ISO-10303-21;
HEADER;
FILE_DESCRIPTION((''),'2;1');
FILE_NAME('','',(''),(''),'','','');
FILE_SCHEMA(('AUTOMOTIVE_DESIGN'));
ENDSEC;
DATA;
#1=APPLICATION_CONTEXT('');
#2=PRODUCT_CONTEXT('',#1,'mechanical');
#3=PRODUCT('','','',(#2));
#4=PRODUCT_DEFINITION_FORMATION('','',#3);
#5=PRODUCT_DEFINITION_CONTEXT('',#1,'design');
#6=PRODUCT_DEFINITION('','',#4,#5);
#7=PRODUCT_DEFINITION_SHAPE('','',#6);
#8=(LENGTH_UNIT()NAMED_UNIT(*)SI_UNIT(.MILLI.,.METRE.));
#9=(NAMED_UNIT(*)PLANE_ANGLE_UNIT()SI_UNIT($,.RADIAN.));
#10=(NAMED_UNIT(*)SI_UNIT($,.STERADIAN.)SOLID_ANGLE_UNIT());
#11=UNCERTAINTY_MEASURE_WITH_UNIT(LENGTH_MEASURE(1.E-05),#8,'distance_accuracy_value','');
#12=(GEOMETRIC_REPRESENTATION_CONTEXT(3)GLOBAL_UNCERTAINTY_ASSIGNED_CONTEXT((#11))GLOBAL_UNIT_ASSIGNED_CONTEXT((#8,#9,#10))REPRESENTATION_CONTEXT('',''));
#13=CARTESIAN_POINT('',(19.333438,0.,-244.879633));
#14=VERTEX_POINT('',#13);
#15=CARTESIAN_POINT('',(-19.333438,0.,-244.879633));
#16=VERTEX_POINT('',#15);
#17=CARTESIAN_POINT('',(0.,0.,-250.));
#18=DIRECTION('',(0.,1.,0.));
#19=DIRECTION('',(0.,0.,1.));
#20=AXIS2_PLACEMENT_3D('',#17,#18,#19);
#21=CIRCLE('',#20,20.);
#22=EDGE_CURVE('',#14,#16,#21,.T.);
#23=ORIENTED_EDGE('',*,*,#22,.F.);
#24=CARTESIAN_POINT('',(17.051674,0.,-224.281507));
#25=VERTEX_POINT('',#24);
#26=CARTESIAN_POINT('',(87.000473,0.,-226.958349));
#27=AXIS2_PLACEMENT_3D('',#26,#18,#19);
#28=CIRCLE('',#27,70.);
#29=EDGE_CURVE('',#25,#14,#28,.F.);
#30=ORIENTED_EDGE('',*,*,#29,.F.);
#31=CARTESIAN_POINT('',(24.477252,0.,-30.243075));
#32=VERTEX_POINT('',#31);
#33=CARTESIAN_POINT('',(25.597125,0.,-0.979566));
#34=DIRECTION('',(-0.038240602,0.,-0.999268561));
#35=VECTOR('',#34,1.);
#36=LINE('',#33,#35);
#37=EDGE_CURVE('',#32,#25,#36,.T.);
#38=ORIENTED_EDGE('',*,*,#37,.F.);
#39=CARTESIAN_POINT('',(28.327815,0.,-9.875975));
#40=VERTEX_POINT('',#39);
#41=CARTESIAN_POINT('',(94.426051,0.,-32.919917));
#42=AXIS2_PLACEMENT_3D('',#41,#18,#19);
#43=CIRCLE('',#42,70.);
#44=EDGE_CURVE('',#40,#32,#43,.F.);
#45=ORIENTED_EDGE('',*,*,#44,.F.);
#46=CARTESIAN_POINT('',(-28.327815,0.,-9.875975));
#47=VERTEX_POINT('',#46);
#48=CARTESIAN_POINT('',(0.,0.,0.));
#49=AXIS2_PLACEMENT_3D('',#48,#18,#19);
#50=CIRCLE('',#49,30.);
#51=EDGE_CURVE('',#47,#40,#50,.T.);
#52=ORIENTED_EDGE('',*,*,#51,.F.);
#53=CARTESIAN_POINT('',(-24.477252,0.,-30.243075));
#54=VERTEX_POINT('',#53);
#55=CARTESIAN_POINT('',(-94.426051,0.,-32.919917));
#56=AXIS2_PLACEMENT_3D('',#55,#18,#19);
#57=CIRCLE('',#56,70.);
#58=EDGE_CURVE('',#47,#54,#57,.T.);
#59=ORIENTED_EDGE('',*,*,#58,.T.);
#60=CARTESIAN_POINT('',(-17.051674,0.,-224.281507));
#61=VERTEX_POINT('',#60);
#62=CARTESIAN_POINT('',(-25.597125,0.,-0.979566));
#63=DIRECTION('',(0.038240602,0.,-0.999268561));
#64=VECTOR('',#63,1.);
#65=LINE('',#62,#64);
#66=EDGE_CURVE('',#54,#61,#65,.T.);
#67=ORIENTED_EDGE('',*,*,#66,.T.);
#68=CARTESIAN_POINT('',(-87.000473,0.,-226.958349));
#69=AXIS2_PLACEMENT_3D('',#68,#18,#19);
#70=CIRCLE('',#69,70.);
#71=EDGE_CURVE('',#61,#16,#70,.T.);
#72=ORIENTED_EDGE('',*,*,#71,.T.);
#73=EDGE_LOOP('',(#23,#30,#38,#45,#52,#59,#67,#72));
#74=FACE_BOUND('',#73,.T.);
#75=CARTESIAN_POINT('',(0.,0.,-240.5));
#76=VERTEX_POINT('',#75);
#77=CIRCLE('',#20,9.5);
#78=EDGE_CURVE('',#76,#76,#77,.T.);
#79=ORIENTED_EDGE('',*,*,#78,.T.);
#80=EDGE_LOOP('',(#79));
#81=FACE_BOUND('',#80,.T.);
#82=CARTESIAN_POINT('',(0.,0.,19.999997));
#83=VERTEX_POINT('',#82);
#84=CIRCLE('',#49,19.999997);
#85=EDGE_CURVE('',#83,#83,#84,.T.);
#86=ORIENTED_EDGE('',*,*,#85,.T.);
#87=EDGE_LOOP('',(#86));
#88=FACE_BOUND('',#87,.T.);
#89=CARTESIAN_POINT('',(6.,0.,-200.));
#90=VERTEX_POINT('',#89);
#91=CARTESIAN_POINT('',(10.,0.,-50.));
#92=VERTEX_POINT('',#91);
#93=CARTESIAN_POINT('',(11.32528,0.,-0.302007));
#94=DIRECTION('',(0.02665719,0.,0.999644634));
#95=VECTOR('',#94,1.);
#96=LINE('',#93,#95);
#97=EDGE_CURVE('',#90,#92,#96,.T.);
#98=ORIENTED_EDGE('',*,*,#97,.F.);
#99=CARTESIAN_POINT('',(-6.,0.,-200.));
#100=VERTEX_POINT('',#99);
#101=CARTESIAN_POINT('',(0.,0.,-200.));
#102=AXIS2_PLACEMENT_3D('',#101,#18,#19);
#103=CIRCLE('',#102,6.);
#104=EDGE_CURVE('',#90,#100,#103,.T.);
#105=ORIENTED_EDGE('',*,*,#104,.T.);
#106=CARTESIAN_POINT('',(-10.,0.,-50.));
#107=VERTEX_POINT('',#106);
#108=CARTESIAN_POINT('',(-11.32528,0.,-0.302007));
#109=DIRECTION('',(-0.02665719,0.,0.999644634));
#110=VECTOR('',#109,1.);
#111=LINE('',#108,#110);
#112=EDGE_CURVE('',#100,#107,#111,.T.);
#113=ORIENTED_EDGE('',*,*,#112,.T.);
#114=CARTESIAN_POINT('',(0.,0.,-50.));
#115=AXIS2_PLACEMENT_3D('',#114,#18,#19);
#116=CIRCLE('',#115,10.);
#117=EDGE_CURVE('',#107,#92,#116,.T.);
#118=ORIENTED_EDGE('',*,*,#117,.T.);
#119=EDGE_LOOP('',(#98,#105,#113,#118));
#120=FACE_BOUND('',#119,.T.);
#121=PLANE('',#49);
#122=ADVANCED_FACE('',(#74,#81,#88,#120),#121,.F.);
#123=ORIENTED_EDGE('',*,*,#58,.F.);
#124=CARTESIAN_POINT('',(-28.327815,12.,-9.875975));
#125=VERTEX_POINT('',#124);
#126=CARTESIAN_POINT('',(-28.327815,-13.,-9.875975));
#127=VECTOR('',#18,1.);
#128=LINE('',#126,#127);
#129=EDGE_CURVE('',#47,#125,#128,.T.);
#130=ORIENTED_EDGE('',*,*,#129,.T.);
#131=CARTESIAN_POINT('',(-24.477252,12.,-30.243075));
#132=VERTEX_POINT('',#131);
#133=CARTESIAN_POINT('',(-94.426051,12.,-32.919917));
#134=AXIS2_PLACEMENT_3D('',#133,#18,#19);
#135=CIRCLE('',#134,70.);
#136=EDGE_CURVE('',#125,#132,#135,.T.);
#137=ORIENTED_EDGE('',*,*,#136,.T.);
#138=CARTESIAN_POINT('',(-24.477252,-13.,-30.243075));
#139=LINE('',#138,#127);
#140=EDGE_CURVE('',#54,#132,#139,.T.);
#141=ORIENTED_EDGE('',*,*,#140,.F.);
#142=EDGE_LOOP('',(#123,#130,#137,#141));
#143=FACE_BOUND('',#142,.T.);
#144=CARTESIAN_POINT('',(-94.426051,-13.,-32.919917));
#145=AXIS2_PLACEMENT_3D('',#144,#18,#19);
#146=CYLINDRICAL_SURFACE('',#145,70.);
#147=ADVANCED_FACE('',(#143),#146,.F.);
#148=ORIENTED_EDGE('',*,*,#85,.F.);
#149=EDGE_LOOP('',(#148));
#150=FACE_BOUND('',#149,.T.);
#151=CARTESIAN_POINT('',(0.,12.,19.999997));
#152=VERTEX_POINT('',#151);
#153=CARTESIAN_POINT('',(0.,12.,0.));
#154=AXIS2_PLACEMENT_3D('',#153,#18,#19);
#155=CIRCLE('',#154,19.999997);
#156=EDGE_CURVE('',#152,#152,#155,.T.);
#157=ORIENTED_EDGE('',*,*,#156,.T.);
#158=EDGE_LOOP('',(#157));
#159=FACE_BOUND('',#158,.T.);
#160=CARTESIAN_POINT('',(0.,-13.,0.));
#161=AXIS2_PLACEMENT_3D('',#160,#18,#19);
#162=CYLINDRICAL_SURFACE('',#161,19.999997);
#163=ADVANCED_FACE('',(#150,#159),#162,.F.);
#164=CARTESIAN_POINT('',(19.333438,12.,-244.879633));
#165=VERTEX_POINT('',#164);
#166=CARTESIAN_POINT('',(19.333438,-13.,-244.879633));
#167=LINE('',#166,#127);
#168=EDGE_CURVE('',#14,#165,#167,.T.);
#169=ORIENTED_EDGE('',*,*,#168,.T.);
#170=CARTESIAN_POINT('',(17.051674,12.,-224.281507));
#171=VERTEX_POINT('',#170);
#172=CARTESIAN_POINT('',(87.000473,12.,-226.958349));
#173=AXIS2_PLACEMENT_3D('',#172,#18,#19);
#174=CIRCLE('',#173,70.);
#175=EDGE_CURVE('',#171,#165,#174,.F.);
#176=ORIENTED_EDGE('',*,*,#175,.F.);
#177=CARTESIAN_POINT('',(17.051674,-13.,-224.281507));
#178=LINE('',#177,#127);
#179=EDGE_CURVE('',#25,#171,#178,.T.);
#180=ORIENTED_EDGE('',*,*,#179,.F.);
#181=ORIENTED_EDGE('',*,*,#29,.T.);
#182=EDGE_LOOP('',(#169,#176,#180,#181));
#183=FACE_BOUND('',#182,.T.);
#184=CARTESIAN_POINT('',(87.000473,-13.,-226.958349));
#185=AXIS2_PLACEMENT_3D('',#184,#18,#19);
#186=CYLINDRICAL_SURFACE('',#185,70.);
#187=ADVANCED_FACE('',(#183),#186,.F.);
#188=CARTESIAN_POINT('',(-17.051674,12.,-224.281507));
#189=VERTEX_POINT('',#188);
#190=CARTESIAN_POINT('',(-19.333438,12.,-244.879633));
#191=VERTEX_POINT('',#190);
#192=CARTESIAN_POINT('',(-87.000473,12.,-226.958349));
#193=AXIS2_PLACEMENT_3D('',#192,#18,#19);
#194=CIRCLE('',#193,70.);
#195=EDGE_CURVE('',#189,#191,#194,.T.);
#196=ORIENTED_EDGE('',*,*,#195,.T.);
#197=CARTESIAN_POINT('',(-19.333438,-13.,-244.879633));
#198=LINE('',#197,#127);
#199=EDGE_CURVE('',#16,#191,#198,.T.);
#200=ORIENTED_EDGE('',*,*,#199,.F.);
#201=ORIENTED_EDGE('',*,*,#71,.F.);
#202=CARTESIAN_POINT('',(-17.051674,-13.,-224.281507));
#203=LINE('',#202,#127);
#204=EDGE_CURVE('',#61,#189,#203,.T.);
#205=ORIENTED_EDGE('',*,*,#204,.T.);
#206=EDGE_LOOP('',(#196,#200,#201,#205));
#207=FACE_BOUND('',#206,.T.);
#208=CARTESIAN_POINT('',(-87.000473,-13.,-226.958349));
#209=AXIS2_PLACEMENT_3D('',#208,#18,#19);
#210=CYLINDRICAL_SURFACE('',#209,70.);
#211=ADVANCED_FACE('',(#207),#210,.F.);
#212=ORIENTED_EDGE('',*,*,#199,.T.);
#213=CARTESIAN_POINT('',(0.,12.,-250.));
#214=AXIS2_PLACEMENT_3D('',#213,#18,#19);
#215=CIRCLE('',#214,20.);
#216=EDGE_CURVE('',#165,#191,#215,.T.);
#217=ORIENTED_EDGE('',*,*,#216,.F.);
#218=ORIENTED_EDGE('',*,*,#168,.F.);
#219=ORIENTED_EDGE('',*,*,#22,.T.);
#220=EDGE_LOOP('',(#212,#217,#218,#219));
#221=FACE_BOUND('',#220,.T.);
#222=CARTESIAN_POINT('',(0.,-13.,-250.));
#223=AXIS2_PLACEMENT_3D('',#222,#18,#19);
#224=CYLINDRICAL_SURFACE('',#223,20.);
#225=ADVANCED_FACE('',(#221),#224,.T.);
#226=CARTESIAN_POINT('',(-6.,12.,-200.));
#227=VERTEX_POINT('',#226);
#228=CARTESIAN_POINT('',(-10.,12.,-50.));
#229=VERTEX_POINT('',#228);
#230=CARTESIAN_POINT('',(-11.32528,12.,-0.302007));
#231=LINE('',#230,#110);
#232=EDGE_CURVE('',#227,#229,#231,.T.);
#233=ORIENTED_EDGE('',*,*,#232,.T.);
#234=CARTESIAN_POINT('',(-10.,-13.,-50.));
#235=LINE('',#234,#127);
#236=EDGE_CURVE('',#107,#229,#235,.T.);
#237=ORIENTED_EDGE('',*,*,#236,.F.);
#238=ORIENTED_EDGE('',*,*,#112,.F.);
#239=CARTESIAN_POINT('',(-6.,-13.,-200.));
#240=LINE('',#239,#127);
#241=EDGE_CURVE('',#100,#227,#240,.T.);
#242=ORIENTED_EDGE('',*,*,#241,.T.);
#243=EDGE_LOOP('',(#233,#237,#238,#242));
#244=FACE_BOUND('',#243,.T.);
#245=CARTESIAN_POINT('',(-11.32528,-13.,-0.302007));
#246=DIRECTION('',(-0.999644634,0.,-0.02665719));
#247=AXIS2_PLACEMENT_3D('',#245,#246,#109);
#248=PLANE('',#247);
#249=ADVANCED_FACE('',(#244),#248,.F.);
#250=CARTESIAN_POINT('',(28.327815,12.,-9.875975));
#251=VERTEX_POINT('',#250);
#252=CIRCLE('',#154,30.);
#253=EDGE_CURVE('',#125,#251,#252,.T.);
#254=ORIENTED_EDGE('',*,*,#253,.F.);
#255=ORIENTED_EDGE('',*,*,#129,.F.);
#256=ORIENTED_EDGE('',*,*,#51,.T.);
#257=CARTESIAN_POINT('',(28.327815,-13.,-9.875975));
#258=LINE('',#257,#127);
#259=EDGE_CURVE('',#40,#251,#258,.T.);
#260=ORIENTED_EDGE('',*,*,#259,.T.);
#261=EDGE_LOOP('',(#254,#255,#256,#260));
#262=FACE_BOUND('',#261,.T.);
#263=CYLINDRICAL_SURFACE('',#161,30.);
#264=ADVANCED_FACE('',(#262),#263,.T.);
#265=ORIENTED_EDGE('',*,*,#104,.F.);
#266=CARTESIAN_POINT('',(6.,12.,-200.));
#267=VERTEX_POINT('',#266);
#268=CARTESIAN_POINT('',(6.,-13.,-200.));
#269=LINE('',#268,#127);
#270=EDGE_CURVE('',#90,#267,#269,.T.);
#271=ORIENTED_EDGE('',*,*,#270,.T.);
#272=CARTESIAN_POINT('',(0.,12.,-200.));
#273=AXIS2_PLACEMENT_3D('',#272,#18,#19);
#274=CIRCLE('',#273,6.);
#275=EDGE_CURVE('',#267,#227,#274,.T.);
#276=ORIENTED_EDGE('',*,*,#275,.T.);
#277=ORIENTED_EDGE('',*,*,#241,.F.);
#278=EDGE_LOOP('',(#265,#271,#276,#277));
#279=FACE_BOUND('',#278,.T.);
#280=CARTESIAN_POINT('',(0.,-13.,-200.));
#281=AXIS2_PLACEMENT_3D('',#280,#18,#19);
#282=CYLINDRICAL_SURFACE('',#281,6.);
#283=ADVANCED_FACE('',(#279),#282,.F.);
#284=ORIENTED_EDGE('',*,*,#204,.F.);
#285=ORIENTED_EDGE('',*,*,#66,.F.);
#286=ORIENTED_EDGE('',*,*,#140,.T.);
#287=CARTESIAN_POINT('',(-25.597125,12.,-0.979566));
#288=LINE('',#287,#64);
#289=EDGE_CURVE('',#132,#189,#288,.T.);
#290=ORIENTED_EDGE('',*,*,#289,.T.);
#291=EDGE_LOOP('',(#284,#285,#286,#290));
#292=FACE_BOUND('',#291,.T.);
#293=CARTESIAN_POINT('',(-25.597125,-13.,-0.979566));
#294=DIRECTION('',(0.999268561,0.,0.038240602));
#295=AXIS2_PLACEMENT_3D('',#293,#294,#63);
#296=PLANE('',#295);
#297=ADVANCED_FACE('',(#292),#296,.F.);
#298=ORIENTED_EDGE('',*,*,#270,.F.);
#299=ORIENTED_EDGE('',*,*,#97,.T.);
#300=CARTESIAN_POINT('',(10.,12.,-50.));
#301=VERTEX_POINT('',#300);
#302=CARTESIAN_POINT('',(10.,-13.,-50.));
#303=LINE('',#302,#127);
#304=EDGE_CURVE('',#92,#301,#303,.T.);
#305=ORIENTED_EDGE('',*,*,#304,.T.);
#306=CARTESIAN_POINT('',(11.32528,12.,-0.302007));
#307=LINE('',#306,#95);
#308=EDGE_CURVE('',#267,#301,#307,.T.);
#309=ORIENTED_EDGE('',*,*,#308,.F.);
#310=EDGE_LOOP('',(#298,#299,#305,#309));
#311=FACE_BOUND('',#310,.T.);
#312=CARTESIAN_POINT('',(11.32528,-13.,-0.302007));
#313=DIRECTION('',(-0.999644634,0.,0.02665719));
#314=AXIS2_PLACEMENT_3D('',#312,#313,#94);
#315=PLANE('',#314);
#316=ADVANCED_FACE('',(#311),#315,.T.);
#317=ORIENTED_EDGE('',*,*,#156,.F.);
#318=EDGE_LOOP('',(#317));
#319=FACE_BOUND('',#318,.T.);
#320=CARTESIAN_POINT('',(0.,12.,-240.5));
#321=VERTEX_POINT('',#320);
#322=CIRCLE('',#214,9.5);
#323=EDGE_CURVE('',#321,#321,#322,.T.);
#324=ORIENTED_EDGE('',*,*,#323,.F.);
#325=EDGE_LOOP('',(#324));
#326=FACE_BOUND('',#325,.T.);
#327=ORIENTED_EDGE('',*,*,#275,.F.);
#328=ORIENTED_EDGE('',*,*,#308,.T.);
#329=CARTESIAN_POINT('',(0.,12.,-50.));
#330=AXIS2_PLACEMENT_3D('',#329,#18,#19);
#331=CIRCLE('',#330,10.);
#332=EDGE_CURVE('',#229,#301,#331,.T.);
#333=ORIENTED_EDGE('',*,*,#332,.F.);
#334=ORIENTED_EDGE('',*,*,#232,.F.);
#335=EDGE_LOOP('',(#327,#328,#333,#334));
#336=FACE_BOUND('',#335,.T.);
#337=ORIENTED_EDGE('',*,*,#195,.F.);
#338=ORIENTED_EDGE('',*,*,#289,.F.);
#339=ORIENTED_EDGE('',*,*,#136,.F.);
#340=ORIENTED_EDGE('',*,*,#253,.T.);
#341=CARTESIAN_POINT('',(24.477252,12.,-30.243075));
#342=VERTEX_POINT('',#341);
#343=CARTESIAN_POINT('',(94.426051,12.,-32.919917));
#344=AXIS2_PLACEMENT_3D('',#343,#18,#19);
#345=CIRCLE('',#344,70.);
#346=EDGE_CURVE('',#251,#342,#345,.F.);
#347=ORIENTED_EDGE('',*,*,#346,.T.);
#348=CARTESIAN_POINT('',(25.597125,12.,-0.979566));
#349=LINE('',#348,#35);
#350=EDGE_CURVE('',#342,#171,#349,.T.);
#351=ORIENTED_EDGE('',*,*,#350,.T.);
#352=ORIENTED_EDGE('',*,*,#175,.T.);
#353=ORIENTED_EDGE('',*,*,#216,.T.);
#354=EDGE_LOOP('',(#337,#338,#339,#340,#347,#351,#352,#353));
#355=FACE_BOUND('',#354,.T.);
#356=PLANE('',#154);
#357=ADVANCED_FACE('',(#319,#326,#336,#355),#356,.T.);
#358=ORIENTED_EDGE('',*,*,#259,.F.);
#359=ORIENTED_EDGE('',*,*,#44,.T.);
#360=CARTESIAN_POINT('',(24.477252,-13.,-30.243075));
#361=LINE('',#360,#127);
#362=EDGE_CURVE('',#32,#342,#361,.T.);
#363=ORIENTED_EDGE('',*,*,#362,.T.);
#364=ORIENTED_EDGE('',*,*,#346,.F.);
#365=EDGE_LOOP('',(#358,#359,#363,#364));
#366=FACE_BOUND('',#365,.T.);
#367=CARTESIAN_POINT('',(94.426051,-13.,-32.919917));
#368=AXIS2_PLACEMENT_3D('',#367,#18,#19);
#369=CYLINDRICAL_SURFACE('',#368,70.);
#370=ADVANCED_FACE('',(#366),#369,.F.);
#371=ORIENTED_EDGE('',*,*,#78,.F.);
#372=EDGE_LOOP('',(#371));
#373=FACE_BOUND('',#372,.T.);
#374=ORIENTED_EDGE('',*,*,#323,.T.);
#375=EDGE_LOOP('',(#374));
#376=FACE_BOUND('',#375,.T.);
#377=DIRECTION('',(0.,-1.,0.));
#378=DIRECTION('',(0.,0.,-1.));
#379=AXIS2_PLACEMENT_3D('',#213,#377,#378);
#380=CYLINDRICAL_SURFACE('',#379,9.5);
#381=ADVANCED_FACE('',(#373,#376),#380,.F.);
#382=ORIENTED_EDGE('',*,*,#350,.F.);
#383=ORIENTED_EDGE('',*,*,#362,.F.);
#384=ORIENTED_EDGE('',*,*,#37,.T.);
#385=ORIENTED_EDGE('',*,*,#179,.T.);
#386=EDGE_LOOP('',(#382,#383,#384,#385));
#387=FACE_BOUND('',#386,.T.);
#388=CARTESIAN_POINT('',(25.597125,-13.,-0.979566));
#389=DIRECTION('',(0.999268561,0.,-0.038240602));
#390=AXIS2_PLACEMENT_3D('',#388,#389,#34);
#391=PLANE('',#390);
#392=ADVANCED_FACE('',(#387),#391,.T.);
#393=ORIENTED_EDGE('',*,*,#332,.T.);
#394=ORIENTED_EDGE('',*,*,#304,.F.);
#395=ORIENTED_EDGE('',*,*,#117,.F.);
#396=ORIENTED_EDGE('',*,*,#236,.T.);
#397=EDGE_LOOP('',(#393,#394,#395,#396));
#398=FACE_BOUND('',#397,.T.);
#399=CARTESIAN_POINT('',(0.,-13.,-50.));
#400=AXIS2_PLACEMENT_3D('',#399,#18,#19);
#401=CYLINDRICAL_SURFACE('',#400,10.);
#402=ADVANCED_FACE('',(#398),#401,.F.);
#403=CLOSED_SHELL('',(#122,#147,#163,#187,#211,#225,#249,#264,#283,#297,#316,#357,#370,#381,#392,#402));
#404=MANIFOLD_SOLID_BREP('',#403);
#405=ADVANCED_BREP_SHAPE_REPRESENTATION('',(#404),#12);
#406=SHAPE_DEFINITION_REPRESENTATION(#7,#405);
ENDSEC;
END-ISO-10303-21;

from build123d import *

# Parameters (mm, degrees)
SKETCH_1_R          = 5.05
SKETCH_1_R_2        = 9.5
EXTRUDE_1_DEPTH     = 12
FILLET_1_R          = 3
SKETCH_7_R          = 2.05
CUT_EXTRUDE_4_DEPTH = 277.39464539
EXTRUDE_6_DEPTH     = 12
SKETCH_8_R          = 13
CUT_EXTRUDE_5_DEPTH = 277.39464539
SKETCH_9_R          = 25
SKETCH_9_R_2        = 13
EXTRUDE_4_DEPTH     = 12
SKETCH_10_R         = 1.5
SKETCH_10_R_2       = 21.5
EXTRUDE_5_DEPTH     = 12
SKETCH_13_R         = 1.5
SKETCH_13_R_2       = 19.999997197
SKETCH_13_R_3       = 13
CUT_EXTRUDE_6_DEPTH = 25


with BuildPart() as part:
    # 草图1 → 凸台-拉伸1 (new body)
    with BuildSketch(Plane(origin=(0, 0, 0), x_dir=(1, 0, 0), z_dir=(0, 1, 0))):
        with BuildLine():
            Line((-17.992942616, -0.504), (-24.990198078, 249.3))
            ThreePointArc((-24.990198078, 249.3), (0, 275), (24.990198078, 249.3))
            Line((24.990198078, 249.3), (17.992942616, -0.504))
            ThreePointArc((17.992942616, -0.504), (0, -18), (-17.992942616, -0.504))
        make_face()
        with Locations(Location((0, 0, 0), (0, 0, 270))):
            Circle(SKETCH_1_R, mode=Mode.SUBTRACT)
        with Locations(Location((0, 250, 0), (0, 0, 270))):
            Circle(SKETCH_1_R_2, mode=Mode.SUBTRACT)
        Polygon((-16.444447487, 158.5), (-17.704941698, 203.5), (11.028871219, 137.174942267), align=None, mode=Mode.SUBTRACT)
        Polygon((15.954255294, 141), (18.475243716, 231), (-12, 219.5), align=None, mode=Mode.SUBTRACT)
    extrude(amount=EXTRUDE_1_DEPTH)

    # 圆角1
    fillet_1_edges = [part.edges().sort_by_distance(p)[0] for p in [
        (-16.444447487, 6, -158.5),
        (11.028871219, 6, -137.174942267),
        (-17.704941698, 6, -203.5),
        (18.475243716, 6, -231),
        (-12, 6, -219.5),
        (15.954255294, 6, -141),
    ]]
    fillet(fillet_1_edges, radius=FILLET_1_R)

    # 草图7 → 切除-拉伸4 (cut, through all)
    with BuildSketch(Plane(origin=(0, 12, 0), x_dir=(1, 0, 0), z_dir=(0, 1, 0))):
        with Locations(Location((15, 15, 0), (0, 0, 270))):
            Circle(SKETCH_7_R)
        with Locations(Location((-15, 15, 0), (0, 0, 270))):
            Circle(SKETCH_7_R)
        with Locations((-15, -15)):
            Circle(SKETCH_7_R)
        with Locations((15, -15)):
            Circle(SKETCH_7_R)
    extrude(amount=-CUT_EXTRUDE_4_DEPTH, mode=Mode.SUBTRACT)

    # 草图14 → 凸台-拉伸6 (add)
    with BuildSketch(Plane(origin=(0, 12, 0), x_dir=(1, 0, 0), z_dir=(0, 1, 0))):
        Polygon((-17.958821841, 235.186562879), (21.367198419, 232.917754018), (15.538653821, 131.889647666), (-22.497275836, 156.52002696), align=None)
    extrude(amount=-EXTRUDE_6_DEPTH)

    # 草图8 → 切除-拉伸5 (cut, through all)
    with BuildSketch(Plane(origin=(0, 12, 0), x_dir=(1, 0, 0), z_dir=(0, 1, 0))):
        with Locations(Location((0, 0, 0), (0, 0, 270))):
            Circle(SKETCH_8_R)
    extrude(amount=-CUT_EXTRUDE_5_DEPTH, mode=Mode.SUBTRACT)

    # 草图9 → 凸台-拉伸4 (add)
    with BuildSketch(Plane(origin=(0, 12, 0), x_dir=(1, 0, 0), z_dir=(0, 1, 0))):
        Circle(SKETCH_9_R)
        with Locations(Location((0, 0, 0), (0, 0, 270))):
            Circle(SKETCH_9_R_2, mode=Mode.SUBTRACT)
    extrude(amount=-EXTRUDE_4_DEPTH)

    # 草图10 → 凸台-拉伸5 (add)
    with BuildSketch(Plane(origin=(0, 12, 0), x_dir=(1, 0, 0), z_dir=(0, 1, 0))):
        with BuildLine():
            Line((-39.711049207, 4.799226071), (-40, 0))
            ThreePointArc((-40, 0), (0, -40), (40, 0))
            Line((40, 0), (39.711049207, 4.799226071))
            Line((39.711049207, 4.799226071), (24.990198078, 249.3))
            Line((24.990198078, 249.3), (18.993134598, 35.203136766))
            ThreePointArc((18.993134598, 35.203136766), (0, 40), (-18.993134598, 35.203136766))
            Line((-18.993134598, 35.203136766), (-24.990198078, 249.3))
            Line((-24.990198078, 249.3), (-39.711049207, 4.799226071))
        make_face()
        with Locations(Location((-31.493406412, -20.357194124, 0), (0, 0, 270))):
            Circle(SKETCH_10_R, mode=Mode.SUBTRACT)
        with Locations(Location((-37.210701127, 4.649055992, 0), (0, 0, 270))):
            Circle(SKETCH_10_R, mode=Mode.SUBTRACT)
        with Locations(Location((-11.039996826, -35.838086864, 0), (0, 0, 270))):
            Circle(SKETCH_10_R, mode=Mode.SUBTRACT)
        with Locations((-1.883144055, 37.452687066)):
            Circle(SKETCH_10_R, mode=Mode.SUBTRACT)
        with Locations(Location((14.579149971, -34.549940465, 0), (0, 0, 270))):
            Circle(SKETCH_10_R, mode=Mode.SUBTRACT)
        Circle(SKETCH_10_R_2, mode=Mode.SUBTRACT)
        with Locations(Location((33.376550467, -17.095492942, 0), (0, 0, 270))):
            Circle(SKETCH_10_R, mode=Mode.SUBTRACT)
        with Locations(Location((36.55669206, 8.358125723, 0), (0, 0, 270))):
            Circle(SKETCH_10_R, mode=Mode.SUBTRACT)
    extrude(amount=-EXTRUDE_5_DEPTH)

    # 草图13 → 切除-拉伸6 (cut)
    # profile 1 of 3: a face of its own
    with BuildSketch(Plane(origin=(0, 12, 0), x_dir=(1, 0, 0), z_dir=(0, 1, 0))):
        with BuildLine():
            ThreePointArc((-40, 0), (0, -40), (40, 0))
            Line((40, 0), (24.990198078, 249.3))
            ThreePointArc((24.990198078, 249.3), (0, 275), (-24.990198078, 249.3))
            Line((-24.990198078, 249.3), (-40, 0))
        make_face()
        with Locations((-31.493406412, -20.357194124)):
            Circle(SKETCH_13_R, mode=Mode.SUBTRACT)
        with Locations((-37.210701127, 4.649055992)):
            Circle(SKETCH_13_R, mode=Mode.SUBTRACT)
        with Locations((-11.039996826, -35.838086864)):
            Circle(SKETCH_13_R, mode=Mode.SUBTRACT)
        with Locations((14.579149971, -34.549940465)):
            Circle(SKETCH_13_R, mode=Mode.SUBTRACT)
        with Locations((33.376550467, -17.095492942)):
            Circle(SKETCH_13_R, mode=Mode.SUBTRACT)
        with Locations((36.55669206, 8.358125723)):
            Circle(SKETCH_13_R, mode=Mode.SUBTRACT)
        with BuildLine():
            ThreePointArc((-28.327815251, 9.875975047), (-25.64448638, 19.916210003), (-24.477251587, 30.243074713))
            Line((-24.477251587, 30.243074713), (-17.051673854, 224.281506908))
            ThreePointArc((-17.051673854, 224.281506908), (-17.426051547, 234.665479827), (-19.333438467, 244.879633115))
            ThreePointArc((-19.333438467, 244.879633115), (0, 270), (19.333438467, 244.879633115))
            ThreePointArc((19.333438467, 244.879633115), (17.426051547, 234.665479827), (17.051673854, 224.281506908))
            Line((17.051673854, 224.281506908), (24.477251587, 30.243074713))
            ThreePointArc((24.477251587, 30.243074713), (25.64448638, 19.916210003), (28.327815251, 9.875975047))
            ThreePointArc((28.327815251, 9.875975047), (0, -30), (-28.327815251, 9.875975047))
        make_face(mode=Mode.SUBTRACT)
    # profile 2 of 3: a face of its own
    with BuildSketch(Plane(origin=(0, 12, 0), x_dir=(1, 0, 0), z_dir=(0, 1, 0))):
        with BuildLine():
            ThreePointArc((6, 200), (0, 206), (-6, 200))
            Line((-6, 200), (-10, 50))
            ThreePointArc((-10, 50), (0, 40), (10, 50))
            Line((10, 50), (6, 200))
        make_face()
    # profile 3 of 3: a face of its own
    with BuildSketch(Plane(origin=(0, 12, 0), x_dir=(1, 0, 0), z_dir=(0, 1, 0))):
        with Locations(Location((0, 0, 0), (0, 0, 270))):
            Circle(SKETCH_13_R_2)
        Circle(SKETCH_13_R_3, mode=Mode.SUBTRACT)
    extrude(amount=-CUT_EXTRUDE_6_DEPTH, mode=Mode.SUBTRACT)


solid = part.part
